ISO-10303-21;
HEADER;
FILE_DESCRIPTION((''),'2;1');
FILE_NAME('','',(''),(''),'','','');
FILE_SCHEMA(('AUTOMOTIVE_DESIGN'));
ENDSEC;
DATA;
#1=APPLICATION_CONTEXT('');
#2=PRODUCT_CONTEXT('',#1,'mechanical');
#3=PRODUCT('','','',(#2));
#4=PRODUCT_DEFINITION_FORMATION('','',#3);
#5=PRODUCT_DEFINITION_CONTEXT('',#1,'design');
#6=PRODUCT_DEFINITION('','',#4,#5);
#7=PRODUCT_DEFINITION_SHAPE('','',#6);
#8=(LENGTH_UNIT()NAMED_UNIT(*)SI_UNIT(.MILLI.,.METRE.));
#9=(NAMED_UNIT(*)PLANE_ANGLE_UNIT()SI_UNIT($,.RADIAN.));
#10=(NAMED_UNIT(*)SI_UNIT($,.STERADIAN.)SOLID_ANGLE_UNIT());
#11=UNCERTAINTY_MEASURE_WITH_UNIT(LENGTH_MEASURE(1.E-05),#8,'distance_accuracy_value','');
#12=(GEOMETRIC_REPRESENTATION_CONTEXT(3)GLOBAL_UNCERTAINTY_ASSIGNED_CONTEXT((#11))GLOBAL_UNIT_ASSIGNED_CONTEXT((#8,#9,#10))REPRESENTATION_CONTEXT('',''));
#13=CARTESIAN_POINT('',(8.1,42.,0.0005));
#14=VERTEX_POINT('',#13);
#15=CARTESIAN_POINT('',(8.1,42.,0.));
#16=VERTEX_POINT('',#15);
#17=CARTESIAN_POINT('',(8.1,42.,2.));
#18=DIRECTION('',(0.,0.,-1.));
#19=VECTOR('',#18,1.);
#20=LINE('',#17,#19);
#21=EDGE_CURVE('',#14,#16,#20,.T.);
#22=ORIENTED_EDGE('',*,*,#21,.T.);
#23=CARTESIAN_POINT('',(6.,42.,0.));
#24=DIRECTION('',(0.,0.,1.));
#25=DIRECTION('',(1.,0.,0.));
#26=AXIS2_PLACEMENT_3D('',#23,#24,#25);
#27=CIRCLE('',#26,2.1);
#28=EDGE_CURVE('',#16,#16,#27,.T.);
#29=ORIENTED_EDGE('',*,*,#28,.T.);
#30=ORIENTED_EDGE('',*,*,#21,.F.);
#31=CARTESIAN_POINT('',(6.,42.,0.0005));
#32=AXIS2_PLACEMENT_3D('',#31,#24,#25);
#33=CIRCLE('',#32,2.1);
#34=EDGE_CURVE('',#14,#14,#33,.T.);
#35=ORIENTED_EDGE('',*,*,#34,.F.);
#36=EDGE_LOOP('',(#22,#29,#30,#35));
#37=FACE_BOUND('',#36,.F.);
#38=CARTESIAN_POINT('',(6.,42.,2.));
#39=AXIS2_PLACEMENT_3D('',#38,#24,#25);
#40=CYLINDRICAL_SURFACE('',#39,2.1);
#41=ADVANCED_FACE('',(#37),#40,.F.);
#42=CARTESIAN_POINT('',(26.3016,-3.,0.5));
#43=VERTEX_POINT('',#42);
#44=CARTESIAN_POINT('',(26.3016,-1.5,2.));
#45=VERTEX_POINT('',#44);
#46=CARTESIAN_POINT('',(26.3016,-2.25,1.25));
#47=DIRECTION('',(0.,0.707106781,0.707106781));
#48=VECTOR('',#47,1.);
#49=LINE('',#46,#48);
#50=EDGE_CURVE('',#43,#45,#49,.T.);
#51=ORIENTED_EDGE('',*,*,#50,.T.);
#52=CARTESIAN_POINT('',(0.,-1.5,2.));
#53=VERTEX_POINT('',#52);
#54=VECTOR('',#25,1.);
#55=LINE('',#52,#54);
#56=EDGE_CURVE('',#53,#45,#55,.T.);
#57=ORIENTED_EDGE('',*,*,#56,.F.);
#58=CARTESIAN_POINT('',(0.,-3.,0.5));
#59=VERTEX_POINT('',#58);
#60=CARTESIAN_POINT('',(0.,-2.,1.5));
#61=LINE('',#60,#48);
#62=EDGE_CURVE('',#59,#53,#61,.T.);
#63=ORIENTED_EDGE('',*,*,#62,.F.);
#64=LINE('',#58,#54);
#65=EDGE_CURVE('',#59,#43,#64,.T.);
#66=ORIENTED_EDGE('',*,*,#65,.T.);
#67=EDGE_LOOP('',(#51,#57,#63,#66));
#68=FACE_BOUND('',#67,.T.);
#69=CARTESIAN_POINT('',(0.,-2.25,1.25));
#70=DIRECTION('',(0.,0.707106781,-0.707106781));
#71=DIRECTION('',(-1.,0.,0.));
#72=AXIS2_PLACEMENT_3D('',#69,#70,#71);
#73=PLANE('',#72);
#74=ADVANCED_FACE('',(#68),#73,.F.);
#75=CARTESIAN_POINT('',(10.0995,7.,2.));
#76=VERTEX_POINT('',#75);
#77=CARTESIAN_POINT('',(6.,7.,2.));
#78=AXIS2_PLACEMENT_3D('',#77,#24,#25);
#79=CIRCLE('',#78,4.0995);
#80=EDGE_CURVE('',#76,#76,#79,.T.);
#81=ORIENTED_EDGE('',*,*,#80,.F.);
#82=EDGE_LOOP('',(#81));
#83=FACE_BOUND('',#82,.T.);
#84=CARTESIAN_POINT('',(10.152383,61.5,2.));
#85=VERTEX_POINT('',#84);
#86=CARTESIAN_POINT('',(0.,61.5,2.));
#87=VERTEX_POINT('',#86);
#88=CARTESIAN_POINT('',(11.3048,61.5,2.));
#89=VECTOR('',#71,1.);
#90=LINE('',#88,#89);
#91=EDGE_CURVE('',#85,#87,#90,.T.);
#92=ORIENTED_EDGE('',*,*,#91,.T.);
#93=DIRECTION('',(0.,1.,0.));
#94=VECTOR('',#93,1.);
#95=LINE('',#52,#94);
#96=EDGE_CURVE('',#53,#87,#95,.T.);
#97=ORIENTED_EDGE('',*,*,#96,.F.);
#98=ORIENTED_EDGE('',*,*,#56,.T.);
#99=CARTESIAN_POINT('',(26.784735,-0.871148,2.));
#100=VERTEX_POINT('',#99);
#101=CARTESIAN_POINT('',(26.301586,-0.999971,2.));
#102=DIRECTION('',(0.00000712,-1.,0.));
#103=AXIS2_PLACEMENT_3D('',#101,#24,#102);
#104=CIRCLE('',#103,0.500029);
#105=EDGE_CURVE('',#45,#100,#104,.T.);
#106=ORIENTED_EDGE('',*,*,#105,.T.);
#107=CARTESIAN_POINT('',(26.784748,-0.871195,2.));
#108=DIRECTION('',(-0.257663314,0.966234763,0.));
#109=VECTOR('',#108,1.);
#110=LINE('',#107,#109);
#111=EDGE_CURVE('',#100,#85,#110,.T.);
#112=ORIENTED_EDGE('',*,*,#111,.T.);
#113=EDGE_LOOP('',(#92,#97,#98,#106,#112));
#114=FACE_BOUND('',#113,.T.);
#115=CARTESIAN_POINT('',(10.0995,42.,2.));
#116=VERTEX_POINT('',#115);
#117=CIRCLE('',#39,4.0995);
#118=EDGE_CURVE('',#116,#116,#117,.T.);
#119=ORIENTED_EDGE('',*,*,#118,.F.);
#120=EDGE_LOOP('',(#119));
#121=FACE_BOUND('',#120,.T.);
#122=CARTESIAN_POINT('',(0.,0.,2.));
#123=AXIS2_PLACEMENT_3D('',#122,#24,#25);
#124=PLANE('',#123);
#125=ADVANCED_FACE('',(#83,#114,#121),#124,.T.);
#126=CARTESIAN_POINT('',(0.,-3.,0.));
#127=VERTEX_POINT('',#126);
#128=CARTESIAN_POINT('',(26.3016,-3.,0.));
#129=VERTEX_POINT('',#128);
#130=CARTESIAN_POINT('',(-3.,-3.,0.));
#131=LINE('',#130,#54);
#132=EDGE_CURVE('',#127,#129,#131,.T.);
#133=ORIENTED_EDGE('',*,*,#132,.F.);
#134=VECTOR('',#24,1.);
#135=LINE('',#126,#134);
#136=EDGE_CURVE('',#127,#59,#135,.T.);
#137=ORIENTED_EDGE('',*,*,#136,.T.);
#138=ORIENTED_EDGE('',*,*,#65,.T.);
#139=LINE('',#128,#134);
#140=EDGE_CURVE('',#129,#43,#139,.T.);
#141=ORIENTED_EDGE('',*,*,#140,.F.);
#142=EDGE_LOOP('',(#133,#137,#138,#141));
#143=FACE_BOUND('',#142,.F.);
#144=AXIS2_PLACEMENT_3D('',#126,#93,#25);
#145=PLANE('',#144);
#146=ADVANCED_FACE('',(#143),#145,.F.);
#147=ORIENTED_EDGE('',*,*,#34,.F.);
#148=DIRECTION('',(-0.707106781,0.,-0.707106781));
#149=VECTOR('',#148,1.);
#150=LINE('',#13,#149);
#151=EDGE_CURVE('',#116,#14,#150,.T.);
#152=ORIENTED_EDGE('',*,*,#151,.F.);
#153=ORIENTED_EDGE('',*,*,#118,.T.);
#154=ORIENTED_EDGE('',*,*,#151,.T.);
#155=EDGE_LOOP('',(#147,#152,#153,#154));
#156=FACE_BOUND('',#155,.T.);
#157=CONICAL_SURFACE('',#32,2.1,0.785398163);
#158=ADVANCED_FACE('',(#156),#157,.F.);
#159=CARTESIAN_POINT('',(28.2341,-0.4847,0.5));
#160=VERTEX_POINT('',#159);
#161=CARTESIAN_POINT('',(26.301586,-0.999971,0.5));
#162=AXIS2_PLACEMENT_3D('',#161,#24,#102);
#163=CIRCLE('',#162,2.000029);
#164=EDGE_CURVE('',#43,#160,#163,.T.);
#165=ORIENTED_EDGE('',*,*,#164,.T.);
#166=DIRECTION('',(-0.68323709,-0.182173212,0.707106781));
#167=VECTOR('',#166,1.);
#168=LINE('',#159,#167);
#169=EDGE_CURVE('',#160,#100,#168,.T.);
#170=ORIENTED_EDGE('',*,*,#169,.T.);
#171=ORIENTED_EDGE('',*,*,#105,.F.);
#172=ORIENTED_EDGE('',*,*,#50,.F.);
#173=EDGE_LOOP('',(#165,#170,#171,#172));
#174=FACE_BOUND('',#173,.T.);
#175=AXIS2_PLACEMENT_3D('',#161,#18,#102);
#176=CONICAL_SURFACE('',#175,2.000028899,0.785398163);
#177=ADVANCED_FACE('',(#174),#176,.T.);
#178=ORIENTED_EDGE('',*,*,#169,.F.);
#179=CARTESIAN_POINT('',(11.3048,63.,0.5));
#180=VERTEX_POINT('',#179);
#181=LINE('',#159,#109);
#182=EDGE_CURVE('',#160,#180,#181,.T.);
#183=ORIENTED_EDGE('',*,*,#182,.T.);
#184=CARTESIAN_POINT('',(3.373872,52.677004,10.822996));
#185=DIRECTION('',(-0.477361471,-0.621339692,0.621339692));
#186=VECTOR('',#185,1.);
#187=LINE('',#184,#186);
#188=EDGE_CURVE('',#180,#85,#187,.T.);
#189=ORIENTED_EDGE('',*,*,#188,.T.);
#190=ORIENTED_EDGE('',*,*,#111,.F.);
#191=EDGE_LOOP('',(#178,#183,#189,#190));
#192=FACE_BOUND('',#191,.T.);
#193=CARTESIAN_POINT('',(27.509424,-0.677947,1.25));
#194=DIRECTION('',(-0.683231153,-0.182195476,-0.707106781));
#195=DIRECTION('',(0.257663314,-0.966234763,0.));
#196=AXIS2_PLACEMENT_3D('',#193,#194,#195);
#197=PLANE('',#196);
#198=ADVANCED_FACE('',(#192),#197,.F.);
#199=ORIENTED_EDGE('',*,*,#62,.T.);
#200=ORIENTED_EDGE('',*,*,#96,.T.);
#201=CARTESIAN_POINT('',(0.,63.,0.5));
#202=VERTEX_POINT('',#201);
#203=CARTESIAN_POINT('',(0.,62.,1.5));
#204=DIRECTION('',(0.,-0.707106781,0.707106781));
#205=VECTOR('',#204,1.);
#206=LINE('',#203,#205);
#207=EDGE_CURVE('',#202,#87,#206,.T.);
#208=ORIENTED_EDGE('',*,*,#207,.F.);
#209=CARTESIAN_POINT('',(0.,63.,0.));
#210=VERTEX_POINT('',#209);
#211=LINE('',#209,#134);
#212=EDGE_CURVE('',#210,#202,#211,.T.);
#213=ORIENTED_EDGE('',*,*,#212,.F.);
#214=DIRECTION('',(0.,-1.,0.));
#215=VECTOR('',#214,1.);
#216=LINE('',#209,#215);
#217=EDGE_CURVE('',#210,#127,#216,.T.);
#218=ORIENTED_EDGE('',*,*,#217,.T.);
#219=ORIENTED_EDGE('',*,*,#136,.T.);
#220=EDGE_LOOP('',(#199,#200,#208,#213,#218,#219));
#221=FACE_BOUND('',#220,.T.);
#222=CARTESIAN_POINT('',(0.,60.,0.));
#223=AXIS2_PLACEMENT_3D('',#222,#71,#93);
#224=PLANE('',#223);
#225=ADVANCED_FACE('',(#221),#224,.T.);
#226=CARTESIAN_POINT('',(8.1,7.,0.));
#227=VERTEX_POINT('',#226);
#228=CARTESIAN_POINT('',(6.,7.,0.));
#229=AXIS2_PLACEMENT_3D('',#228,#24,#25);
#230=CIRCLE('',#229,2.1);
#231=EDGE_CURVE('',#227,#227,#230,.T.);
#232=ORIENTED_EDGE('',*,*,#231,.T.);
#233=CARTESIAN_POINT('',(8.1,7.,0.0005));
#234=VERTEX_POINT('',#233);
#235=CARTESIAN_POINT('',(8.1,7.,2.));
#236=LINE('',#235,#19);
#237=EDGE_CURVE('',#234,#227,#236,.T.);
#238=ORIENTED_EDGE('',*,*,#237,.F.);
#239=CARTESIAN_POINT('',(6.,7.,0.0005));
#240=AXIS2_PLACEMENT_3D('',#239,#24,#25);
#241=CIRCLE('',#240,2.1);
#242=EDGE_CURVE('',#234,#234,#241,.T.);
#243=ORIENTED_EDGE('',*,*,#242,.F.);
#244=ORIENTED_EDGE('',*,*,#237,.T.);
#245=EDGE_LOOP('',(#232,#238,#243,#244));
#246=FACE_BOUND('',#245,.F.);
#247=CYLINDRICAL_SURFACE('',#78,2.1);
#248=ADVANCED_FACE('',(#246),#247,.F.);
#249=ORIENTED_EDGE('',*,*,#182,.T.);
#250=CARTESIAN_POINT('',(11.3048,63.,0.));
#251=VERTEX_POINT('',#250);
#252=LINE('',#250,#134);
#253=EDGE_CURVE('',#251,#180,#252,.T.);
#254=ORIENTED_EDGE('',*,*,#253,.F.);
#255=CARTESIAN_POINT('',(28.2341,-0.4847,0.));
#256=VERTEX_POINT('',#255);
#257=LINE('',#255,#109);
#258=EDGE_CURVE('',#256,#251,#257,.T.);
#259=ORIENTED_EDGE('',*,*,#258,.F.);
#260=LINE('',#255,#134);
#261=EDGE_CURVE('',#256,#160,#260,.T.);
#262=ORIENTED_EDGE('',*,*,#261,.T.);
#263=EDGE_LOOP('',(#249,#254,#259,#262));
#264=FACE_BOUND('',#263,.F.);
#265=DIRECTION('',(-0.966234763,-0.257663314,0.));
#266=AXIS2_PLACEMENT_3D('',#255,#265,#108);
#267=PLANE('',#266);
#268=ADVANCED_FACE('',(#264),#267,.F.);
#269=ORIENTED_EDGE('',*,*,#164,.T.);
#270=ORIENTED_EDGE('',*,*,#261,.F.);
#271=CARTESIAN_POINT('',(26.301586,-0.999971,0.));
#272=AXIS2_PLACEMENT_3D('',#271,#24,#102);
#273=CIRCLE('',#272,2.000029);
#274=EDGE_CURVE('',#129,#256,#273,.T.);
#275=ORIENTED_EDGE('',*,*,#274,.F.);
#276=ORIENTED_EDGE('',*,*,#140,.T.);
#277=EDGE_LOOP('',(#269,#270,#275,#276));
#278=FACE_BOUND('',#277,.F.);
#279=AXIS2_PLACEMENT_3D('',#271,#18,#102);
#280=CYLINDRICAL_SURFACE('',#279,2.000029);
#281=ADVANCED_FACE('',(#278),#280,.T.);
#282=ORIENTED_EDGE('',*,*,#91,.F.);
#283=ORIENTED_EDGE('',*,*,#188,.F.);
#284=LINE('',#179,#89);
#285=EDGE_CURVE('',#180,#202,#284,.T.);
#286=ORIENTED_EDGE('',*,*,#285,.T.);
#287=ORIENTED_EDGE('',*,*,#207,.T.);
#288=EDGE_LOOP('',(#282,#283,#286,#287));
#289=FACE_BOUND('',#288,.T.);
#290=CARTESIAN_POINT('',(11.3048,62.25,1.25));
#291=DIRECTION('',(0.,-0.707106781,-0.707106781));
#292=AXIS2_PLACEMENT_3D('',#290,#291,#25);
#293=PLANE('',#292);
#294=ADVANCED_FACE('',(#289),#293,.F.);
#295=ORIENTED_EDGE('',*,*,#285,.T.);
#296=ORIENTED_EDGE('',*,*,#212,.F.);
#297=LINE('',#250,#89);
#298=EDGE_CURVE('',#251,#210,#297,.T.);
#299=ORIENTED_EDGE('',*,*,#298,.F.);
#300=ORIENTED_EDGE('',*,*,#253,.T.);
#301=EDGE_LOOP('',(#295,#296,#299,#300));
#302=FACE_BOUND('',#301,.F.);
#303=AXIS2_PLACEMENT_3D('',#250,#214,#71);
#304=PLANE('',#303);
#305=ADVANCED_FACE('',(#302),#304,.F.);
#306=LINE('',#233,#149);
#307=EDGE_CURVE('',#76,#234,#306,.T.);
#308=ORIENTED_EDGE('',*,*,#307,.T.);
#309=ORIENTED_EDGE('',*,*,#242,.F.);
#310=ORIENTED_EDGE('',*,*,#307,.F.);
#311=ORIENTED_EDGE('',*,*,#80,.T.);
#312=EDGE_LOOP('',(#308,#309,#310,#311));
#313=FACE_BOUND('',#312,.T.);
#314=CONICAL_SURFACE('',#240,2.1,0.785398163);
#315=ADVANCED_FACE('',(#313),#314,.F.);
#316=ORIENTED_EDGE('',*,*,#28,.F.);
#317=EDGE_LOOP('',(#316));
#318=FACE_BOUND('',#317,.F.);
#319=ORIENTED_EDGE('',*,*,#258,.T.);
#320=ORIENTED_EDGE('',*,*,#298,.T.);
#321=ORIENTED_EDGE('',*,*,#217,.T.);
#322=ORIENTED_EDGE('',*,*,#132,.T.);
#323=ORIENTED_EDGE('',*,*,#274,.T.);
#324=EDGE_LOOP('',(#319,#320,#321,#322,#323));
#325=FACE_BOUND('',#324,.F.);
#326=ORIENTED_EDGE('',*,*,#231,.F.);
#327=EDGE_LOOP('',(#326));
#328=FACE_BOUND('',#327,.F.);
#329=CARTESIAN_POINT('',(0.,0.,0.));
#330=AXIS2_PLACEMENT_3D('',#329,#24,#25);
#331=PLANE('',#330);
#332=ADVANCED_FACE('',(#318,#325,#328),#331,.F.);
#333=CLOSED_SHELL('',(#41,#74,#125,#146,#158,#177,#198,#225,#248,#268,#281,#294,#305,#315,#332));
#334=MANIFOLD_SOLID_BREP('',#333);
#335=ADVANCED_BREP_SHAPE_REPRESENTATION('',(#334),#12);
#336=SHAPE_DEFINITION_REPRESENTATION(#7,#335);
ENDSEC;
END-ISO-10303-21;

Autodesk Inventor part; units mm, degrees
ref_plane "YZ Plane" through (0, 0, 0) normal (1, 0, 0) x (0, 1, 0)
ref_plane "XZ Plane" through (0, 0, 0) normal (0, 1, 0) x (-1, 0, 0)
ref_plane "XY Plane" through (0, 0, 0) normal (0, 0, 1) x (1, 0, 0)
sketch "Sketch1" plane through (0, 0, 0) normal (0, 0, 1) x (1, 0, 0)
  line L0 (0, 0) -> (0, 60)
  line L1 (0, 60) -> (9, 60) construction
  line L2 (9, 60) -> (25, 0) construction
  line L3 (25, 0) -> (0, 0) construction
  line L4 (28.2341, -0.4847) -> (11.3048, 63)
  line L5 (11.3048, 63) -> (-3, 63)
  line L6 (-3, 63) -> (-3, -3)
  line L7 (-3, -3) -> (26.3016, -3)
  line L8 (0, 60) -> (0, 63)
  line L9 (0, 0) -> (0, -3)
  arc A0 (26.3016, -3) -> (28.2341, -0.4847) centre (26.3016, -1) ccw
  point P0 (28.9048, -3)
  dimension "d0" = 9
  dimension "d1" = 25
  dimension "d2" = 60
  dimension "d5" = 3
  dimension "d19" = 2
extrude "Extrusion1" add sketch "Sketch1" along normal blind 2 contours L0 L8 L5 L4 A0 L7 L9
chamfer "Chamfer1" distance 1.5 angle 45 4 edges at (19.7695, 31.2577, 2) (27.8876, -2.2185, 2) (13.1508, -3, 2) (5.6524, 63, 2)
sketch "Sketch2" plane through (0, 0, 2) normal (0, 0, 1) x (1, 0, 0)
  line L0 (6, -14.251) -> (6, 80.2953) construction
  line L1 (0, 61.5) -> (0, -1.5) projected
  circle A0 centre (6, 7) radius 2.1
  circle A1 centre (6, 42) radius 2.1
  line L2 (0, -3) -> (26.3016, -3) projected
  point P0 (0, 0)
  point P1 (28.8571, -3)
  dimension "d9" = 6
  dimension "d10" = 4.2
  dimension "d11" = 4.2
  dimension "d12" = 10
  dimension "d13" = 45
extrude "Extrusion2" cut sketch "Sketch2" against normal up to surface (2 mm away)
chamfer "Chamfer2" distance 2 angle 45 2 edges at (3.9, 42, 2) (3.9, 7, 2)
equation "\"d11\" = d10"
properties part number "spazzola - appoggio"
